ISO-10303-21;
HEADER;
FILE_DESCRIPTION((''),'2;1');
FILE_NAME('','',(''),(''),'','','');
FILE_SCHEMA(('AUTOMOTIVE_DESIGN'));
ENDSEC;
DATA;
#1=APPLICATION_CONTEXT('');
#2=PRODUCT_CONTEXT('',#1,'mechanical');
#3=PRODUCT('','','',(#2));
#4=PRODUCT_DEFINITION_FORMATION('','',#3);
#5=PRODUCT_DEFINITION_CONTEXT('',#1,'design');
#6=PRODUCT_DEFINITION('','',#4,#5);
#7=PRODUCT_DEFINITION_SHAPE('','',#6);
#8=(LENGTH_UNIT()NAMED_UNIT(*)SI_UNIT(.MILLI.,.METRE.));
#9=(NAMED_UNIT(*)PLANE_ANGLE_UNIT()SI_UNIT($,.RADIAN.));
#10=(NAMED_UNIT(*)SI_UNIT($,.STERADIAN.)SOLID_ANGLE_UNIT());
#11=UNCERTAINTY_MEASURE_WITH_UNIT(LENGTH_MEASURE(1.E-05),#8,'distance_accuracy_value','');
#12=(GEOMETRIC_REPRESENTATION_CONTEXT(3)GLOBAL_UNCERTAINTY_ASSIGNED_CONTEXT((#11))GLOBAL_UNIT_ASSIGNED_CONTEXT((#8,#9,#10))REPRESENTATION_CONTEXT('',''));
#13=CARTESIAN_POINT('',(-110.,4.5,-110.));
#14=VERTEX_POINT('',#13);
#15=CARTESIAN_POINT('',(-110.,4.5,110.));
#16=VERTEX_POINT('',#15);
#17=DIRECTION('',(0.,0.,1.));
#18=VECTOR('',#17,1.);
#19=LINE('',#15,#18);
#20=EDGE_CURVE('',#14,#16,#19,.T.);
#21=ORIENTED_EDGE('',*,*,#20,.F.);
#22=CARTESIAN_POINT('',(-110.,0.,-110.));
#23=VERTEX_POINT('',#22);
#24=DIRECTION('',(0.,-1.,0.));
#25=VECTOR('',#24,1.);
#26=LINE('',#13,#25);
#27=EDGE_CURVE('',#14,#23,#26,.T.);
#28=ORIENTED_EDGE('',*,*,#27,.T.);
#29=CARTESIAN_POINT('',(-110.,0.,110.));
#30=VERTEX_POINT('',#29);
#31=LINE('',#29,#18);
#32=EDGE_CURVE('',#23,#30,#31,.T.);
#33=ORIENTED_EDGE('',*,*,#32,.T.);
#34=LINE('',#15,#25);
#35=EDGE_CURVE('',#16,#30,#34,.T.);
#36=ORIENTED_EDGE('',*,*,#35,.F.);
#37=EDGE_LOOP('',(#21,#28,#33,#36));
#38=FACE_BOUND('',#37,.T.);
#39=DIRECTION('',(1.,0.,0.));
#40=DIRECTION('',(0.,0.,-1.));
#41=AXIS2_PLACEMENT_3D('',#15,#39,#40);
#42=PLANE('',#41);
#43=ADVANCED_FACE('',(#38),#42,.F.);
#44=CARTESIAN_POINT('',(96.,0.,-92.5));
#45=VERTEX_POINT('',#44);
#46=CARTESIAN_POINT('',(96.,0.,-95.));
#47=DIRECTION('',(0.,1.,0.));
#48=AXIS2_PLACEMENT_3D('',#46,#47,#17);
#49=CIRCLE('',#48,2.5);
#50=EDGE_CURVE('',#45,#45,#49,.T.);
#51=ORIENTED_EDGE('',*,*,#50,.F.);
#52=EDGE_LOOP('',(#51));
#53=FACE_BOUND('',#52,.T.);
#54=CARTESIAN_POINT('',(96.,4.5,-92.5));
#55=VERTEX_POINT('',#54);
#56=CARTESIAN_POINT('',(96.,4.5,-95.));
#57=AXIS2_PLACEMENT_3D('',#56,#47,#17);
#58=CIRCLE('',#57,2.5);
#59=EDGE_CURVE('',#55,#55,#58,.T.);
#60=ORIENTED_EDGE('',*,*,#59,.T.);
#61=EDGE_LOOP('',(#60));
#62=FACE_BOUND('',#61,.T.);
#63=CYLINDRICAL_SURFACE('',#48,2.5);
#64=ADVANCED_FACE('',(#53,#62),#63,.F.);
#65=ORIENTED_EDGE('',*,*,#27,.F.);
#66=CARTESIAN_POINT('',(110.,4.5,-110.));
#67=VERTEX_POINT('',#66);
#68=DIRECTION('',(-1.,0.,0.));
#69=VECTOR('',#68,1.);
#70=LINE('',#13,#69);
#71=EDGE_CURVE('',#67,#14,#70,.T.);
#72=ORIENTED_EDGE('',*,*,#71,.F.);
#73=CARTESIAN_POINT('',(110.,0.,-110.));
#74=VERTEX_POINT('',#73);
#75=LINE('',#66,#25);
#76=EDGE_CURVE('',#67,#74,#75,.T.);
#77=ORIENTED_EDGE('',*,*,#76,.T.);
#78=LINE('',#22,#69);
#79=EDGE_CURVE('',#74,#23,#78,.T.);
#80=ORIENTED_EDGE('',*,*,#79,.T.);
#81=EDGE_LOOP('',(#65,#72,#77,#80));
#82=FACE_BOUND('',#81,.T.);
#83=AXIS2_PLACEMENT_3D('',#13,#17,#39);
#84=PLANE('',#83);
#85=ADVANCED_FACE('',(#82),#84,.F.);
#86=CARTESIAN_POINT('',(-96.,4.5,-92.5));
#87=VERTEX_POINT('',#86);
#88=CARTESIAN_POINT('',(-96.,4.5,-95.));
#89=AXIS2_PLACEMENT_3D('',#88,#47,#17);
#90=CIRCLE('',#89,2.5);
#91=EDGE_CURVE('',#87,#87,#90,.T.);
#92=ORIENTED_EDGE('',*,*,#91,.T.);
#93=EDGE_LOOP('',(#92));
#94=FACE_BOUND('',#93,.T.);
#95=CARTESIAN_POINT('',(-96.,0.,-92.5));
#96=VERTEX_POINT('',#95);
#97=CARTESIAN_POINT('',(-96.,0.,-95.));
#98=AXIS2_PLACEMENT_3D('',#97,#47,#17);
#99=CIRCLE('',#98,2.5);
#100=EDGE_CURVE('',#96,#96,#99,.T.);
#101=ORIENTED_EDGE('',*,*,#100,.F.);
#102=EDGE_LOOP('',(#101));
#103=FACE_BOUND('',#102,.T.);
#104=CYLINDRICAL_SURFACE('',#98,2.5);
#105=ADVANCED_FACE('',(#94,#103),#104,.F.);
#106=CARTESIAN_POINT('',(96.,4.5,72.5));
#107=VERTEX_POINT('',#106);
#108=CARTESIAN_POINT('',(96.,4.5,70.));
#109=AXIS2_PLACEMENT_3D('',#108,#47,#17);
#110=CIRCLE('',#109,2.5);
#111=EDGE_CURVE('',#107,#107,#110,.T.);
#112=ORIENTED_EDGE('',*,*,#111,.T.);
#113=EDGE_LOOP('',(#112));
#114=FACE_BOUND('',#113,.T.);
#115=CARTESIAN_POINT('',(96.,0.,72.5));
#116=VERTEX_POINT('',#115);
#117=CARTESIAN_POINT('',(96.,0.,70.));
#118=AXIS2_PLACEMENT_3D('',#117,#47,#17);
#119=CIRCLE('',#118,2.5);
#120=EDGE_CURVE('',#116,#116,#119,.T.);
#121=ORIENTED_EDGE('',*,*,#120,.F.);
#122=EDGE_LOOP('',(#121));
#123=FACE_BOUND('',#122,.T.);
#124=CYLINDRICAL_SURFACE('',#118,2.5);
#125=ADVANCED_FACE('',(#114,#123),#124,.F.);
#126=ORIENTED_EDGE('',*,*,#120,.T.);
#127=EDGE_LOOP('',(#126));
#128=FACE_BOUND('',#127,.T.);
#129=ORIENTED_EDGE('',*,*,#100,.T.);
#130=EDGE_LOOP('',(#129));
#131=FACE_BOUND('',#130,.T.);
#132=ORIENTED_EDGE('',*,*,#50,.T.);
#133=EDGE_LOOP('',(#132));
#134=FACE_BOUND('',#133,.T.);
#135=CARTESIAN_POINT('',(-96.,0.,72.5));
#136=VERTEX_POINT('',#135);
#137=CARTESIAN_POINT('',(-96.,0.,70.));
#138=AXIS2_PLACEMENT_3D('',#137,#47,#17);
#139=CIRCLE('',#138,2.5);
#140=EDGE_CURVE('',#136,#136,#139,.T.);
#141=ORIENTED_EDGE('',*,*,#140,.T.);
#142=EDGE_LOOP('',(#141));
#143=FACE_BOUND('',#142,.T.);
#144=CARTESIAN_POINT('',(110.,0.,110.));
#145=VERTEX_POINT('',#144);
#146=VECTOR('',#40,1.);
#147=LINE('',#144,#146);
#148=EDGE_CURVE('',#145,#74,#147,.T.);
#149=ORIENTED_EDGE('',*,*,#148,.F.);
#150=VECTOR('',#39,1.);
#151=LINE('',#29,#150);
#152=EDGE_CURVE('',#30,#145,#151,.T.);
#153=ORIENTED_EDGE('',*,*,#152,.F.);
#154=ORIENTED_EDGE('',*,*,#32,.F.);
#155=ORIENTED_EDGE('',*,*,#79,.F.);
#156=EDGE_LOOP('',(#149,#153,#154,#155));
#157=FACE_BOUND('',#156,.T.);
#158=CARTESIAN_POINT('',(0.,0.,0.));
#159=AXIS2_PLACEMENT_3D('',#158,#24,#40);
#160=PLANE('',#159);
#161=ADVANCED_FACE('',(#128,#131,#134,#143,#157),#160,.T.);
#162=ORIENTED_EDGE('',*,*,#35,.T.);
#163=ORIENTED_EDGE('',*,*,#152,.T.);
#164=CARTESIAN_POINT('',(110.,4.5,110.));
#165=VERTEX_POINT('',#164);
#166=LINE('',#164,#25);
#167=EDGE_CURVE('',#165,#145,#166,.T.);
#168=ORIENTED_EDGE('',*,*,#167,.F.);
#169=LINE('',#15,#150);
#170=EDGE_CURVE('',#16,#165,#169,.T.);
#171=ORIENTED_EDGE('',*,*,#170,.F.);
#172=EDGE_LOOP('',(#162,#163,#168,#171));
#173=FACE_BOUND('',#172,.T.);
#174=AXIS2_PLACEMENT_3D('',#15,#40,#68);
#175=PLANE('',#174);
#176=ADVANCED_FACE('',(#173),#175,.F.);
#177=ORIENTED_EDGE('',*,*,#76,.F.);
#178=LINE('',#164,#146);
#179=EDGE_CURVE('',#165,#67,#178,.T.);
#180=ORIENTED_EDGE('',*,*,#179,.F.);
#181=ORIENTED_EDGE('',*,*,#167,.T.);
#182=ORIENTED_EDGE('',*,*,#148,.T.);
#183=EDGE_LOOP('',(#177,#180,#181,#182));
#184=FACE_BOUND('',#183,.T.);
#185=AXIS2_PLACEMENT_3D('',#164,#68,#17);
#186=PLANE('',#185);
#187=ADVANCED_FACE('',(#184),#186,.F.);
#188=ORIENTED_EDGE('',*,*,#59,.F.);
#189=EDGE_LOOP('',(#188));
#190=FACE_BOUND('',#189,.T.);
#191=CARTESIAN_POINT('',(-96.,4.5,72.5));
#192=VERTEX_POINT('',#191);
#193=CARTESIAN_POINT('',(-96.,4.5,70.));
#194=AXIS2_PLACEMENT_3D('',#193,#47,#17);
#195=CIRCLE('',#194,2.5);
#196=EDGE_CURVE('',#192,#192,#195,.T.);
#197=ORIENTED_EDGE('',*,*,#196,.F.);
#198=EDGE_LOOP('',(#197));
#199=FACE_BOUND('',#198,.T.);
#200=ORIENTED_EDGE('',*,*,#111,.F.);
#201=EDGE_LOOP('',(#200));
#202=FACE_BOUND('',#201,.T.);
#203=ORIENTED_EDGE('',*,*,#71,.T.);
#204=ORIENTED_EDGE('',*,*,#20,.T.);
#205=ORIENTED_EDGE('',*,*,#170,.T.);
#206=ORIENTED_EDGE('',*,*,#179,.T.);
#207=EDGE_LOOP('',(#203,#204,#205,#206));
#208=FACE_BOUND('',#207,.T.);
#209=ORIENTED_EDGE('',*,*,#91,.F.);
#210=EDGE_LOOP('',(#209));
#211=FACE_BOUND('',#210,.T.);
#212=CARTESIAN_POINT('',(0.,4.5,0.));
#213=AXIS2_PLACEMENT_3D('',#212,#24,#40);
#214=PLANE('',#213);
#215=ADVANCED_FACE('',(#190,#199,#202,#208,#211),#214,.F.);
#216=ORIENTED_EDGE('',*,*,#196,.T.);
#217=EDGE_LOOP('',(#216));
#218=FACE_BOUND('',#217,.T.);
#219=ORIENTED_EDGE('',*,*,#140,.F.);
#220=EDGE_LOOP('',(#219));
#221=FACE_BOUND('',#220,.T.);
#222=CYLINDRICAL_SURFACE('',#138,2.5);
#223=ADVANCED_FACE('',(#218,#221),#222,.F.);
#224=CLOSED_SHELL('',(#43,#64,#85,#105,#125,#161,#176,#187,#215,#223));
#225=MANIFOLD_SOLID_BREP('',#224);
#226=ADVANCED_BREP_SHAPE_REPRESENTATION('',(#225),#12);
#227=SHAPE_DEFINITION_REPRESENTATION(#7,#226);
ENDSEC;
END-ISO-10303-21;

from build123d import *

# Parameters (mm, degrees)
SKETCH1_W           = 220
SKETCH1_H           = 220
BOSS_EXTRUDE1_DEPTH = 4.5
SKETCH2_R           = 2.5
CUT_EXTRUDE1_DEPTH  = 5.5


with BuildPart() as part:
    # Sketch1 → Boss-Extrude1 (new body)
    with BuildSketch(Plane(origin=(0, 0, 0), x_dir=(1, 0, 0), z_dir=(0, 1, 0))):
        Rectangle(SKETCH1_W, SKETCH1_H)
    extrude(amount=BOSS_EXTRUDE1_DEPTH)

    # Sketch2 → Cut-Extrude1 (cut, through all)
    with BuildSketch(Plane(origin=(0, 4.5, 0), x_dir=(1, 0, 0), z_dir=(0, 1, 0))):
        with Locations((96, -70)):
            Circle(SKETCH2_R)
        with Locations((-96, -70)):
            Circle(SKETCH2_R)
        with Locations((-96, 95)):
            Circle(SKETCH2_R)
        with Locations((96, 95)):
            Circle(SKETCH2_R)
    extrude(amount=-CUT_EXTRUDE1_DEPTH, mode=Mode.SUBTRACT)


solid = part.part
